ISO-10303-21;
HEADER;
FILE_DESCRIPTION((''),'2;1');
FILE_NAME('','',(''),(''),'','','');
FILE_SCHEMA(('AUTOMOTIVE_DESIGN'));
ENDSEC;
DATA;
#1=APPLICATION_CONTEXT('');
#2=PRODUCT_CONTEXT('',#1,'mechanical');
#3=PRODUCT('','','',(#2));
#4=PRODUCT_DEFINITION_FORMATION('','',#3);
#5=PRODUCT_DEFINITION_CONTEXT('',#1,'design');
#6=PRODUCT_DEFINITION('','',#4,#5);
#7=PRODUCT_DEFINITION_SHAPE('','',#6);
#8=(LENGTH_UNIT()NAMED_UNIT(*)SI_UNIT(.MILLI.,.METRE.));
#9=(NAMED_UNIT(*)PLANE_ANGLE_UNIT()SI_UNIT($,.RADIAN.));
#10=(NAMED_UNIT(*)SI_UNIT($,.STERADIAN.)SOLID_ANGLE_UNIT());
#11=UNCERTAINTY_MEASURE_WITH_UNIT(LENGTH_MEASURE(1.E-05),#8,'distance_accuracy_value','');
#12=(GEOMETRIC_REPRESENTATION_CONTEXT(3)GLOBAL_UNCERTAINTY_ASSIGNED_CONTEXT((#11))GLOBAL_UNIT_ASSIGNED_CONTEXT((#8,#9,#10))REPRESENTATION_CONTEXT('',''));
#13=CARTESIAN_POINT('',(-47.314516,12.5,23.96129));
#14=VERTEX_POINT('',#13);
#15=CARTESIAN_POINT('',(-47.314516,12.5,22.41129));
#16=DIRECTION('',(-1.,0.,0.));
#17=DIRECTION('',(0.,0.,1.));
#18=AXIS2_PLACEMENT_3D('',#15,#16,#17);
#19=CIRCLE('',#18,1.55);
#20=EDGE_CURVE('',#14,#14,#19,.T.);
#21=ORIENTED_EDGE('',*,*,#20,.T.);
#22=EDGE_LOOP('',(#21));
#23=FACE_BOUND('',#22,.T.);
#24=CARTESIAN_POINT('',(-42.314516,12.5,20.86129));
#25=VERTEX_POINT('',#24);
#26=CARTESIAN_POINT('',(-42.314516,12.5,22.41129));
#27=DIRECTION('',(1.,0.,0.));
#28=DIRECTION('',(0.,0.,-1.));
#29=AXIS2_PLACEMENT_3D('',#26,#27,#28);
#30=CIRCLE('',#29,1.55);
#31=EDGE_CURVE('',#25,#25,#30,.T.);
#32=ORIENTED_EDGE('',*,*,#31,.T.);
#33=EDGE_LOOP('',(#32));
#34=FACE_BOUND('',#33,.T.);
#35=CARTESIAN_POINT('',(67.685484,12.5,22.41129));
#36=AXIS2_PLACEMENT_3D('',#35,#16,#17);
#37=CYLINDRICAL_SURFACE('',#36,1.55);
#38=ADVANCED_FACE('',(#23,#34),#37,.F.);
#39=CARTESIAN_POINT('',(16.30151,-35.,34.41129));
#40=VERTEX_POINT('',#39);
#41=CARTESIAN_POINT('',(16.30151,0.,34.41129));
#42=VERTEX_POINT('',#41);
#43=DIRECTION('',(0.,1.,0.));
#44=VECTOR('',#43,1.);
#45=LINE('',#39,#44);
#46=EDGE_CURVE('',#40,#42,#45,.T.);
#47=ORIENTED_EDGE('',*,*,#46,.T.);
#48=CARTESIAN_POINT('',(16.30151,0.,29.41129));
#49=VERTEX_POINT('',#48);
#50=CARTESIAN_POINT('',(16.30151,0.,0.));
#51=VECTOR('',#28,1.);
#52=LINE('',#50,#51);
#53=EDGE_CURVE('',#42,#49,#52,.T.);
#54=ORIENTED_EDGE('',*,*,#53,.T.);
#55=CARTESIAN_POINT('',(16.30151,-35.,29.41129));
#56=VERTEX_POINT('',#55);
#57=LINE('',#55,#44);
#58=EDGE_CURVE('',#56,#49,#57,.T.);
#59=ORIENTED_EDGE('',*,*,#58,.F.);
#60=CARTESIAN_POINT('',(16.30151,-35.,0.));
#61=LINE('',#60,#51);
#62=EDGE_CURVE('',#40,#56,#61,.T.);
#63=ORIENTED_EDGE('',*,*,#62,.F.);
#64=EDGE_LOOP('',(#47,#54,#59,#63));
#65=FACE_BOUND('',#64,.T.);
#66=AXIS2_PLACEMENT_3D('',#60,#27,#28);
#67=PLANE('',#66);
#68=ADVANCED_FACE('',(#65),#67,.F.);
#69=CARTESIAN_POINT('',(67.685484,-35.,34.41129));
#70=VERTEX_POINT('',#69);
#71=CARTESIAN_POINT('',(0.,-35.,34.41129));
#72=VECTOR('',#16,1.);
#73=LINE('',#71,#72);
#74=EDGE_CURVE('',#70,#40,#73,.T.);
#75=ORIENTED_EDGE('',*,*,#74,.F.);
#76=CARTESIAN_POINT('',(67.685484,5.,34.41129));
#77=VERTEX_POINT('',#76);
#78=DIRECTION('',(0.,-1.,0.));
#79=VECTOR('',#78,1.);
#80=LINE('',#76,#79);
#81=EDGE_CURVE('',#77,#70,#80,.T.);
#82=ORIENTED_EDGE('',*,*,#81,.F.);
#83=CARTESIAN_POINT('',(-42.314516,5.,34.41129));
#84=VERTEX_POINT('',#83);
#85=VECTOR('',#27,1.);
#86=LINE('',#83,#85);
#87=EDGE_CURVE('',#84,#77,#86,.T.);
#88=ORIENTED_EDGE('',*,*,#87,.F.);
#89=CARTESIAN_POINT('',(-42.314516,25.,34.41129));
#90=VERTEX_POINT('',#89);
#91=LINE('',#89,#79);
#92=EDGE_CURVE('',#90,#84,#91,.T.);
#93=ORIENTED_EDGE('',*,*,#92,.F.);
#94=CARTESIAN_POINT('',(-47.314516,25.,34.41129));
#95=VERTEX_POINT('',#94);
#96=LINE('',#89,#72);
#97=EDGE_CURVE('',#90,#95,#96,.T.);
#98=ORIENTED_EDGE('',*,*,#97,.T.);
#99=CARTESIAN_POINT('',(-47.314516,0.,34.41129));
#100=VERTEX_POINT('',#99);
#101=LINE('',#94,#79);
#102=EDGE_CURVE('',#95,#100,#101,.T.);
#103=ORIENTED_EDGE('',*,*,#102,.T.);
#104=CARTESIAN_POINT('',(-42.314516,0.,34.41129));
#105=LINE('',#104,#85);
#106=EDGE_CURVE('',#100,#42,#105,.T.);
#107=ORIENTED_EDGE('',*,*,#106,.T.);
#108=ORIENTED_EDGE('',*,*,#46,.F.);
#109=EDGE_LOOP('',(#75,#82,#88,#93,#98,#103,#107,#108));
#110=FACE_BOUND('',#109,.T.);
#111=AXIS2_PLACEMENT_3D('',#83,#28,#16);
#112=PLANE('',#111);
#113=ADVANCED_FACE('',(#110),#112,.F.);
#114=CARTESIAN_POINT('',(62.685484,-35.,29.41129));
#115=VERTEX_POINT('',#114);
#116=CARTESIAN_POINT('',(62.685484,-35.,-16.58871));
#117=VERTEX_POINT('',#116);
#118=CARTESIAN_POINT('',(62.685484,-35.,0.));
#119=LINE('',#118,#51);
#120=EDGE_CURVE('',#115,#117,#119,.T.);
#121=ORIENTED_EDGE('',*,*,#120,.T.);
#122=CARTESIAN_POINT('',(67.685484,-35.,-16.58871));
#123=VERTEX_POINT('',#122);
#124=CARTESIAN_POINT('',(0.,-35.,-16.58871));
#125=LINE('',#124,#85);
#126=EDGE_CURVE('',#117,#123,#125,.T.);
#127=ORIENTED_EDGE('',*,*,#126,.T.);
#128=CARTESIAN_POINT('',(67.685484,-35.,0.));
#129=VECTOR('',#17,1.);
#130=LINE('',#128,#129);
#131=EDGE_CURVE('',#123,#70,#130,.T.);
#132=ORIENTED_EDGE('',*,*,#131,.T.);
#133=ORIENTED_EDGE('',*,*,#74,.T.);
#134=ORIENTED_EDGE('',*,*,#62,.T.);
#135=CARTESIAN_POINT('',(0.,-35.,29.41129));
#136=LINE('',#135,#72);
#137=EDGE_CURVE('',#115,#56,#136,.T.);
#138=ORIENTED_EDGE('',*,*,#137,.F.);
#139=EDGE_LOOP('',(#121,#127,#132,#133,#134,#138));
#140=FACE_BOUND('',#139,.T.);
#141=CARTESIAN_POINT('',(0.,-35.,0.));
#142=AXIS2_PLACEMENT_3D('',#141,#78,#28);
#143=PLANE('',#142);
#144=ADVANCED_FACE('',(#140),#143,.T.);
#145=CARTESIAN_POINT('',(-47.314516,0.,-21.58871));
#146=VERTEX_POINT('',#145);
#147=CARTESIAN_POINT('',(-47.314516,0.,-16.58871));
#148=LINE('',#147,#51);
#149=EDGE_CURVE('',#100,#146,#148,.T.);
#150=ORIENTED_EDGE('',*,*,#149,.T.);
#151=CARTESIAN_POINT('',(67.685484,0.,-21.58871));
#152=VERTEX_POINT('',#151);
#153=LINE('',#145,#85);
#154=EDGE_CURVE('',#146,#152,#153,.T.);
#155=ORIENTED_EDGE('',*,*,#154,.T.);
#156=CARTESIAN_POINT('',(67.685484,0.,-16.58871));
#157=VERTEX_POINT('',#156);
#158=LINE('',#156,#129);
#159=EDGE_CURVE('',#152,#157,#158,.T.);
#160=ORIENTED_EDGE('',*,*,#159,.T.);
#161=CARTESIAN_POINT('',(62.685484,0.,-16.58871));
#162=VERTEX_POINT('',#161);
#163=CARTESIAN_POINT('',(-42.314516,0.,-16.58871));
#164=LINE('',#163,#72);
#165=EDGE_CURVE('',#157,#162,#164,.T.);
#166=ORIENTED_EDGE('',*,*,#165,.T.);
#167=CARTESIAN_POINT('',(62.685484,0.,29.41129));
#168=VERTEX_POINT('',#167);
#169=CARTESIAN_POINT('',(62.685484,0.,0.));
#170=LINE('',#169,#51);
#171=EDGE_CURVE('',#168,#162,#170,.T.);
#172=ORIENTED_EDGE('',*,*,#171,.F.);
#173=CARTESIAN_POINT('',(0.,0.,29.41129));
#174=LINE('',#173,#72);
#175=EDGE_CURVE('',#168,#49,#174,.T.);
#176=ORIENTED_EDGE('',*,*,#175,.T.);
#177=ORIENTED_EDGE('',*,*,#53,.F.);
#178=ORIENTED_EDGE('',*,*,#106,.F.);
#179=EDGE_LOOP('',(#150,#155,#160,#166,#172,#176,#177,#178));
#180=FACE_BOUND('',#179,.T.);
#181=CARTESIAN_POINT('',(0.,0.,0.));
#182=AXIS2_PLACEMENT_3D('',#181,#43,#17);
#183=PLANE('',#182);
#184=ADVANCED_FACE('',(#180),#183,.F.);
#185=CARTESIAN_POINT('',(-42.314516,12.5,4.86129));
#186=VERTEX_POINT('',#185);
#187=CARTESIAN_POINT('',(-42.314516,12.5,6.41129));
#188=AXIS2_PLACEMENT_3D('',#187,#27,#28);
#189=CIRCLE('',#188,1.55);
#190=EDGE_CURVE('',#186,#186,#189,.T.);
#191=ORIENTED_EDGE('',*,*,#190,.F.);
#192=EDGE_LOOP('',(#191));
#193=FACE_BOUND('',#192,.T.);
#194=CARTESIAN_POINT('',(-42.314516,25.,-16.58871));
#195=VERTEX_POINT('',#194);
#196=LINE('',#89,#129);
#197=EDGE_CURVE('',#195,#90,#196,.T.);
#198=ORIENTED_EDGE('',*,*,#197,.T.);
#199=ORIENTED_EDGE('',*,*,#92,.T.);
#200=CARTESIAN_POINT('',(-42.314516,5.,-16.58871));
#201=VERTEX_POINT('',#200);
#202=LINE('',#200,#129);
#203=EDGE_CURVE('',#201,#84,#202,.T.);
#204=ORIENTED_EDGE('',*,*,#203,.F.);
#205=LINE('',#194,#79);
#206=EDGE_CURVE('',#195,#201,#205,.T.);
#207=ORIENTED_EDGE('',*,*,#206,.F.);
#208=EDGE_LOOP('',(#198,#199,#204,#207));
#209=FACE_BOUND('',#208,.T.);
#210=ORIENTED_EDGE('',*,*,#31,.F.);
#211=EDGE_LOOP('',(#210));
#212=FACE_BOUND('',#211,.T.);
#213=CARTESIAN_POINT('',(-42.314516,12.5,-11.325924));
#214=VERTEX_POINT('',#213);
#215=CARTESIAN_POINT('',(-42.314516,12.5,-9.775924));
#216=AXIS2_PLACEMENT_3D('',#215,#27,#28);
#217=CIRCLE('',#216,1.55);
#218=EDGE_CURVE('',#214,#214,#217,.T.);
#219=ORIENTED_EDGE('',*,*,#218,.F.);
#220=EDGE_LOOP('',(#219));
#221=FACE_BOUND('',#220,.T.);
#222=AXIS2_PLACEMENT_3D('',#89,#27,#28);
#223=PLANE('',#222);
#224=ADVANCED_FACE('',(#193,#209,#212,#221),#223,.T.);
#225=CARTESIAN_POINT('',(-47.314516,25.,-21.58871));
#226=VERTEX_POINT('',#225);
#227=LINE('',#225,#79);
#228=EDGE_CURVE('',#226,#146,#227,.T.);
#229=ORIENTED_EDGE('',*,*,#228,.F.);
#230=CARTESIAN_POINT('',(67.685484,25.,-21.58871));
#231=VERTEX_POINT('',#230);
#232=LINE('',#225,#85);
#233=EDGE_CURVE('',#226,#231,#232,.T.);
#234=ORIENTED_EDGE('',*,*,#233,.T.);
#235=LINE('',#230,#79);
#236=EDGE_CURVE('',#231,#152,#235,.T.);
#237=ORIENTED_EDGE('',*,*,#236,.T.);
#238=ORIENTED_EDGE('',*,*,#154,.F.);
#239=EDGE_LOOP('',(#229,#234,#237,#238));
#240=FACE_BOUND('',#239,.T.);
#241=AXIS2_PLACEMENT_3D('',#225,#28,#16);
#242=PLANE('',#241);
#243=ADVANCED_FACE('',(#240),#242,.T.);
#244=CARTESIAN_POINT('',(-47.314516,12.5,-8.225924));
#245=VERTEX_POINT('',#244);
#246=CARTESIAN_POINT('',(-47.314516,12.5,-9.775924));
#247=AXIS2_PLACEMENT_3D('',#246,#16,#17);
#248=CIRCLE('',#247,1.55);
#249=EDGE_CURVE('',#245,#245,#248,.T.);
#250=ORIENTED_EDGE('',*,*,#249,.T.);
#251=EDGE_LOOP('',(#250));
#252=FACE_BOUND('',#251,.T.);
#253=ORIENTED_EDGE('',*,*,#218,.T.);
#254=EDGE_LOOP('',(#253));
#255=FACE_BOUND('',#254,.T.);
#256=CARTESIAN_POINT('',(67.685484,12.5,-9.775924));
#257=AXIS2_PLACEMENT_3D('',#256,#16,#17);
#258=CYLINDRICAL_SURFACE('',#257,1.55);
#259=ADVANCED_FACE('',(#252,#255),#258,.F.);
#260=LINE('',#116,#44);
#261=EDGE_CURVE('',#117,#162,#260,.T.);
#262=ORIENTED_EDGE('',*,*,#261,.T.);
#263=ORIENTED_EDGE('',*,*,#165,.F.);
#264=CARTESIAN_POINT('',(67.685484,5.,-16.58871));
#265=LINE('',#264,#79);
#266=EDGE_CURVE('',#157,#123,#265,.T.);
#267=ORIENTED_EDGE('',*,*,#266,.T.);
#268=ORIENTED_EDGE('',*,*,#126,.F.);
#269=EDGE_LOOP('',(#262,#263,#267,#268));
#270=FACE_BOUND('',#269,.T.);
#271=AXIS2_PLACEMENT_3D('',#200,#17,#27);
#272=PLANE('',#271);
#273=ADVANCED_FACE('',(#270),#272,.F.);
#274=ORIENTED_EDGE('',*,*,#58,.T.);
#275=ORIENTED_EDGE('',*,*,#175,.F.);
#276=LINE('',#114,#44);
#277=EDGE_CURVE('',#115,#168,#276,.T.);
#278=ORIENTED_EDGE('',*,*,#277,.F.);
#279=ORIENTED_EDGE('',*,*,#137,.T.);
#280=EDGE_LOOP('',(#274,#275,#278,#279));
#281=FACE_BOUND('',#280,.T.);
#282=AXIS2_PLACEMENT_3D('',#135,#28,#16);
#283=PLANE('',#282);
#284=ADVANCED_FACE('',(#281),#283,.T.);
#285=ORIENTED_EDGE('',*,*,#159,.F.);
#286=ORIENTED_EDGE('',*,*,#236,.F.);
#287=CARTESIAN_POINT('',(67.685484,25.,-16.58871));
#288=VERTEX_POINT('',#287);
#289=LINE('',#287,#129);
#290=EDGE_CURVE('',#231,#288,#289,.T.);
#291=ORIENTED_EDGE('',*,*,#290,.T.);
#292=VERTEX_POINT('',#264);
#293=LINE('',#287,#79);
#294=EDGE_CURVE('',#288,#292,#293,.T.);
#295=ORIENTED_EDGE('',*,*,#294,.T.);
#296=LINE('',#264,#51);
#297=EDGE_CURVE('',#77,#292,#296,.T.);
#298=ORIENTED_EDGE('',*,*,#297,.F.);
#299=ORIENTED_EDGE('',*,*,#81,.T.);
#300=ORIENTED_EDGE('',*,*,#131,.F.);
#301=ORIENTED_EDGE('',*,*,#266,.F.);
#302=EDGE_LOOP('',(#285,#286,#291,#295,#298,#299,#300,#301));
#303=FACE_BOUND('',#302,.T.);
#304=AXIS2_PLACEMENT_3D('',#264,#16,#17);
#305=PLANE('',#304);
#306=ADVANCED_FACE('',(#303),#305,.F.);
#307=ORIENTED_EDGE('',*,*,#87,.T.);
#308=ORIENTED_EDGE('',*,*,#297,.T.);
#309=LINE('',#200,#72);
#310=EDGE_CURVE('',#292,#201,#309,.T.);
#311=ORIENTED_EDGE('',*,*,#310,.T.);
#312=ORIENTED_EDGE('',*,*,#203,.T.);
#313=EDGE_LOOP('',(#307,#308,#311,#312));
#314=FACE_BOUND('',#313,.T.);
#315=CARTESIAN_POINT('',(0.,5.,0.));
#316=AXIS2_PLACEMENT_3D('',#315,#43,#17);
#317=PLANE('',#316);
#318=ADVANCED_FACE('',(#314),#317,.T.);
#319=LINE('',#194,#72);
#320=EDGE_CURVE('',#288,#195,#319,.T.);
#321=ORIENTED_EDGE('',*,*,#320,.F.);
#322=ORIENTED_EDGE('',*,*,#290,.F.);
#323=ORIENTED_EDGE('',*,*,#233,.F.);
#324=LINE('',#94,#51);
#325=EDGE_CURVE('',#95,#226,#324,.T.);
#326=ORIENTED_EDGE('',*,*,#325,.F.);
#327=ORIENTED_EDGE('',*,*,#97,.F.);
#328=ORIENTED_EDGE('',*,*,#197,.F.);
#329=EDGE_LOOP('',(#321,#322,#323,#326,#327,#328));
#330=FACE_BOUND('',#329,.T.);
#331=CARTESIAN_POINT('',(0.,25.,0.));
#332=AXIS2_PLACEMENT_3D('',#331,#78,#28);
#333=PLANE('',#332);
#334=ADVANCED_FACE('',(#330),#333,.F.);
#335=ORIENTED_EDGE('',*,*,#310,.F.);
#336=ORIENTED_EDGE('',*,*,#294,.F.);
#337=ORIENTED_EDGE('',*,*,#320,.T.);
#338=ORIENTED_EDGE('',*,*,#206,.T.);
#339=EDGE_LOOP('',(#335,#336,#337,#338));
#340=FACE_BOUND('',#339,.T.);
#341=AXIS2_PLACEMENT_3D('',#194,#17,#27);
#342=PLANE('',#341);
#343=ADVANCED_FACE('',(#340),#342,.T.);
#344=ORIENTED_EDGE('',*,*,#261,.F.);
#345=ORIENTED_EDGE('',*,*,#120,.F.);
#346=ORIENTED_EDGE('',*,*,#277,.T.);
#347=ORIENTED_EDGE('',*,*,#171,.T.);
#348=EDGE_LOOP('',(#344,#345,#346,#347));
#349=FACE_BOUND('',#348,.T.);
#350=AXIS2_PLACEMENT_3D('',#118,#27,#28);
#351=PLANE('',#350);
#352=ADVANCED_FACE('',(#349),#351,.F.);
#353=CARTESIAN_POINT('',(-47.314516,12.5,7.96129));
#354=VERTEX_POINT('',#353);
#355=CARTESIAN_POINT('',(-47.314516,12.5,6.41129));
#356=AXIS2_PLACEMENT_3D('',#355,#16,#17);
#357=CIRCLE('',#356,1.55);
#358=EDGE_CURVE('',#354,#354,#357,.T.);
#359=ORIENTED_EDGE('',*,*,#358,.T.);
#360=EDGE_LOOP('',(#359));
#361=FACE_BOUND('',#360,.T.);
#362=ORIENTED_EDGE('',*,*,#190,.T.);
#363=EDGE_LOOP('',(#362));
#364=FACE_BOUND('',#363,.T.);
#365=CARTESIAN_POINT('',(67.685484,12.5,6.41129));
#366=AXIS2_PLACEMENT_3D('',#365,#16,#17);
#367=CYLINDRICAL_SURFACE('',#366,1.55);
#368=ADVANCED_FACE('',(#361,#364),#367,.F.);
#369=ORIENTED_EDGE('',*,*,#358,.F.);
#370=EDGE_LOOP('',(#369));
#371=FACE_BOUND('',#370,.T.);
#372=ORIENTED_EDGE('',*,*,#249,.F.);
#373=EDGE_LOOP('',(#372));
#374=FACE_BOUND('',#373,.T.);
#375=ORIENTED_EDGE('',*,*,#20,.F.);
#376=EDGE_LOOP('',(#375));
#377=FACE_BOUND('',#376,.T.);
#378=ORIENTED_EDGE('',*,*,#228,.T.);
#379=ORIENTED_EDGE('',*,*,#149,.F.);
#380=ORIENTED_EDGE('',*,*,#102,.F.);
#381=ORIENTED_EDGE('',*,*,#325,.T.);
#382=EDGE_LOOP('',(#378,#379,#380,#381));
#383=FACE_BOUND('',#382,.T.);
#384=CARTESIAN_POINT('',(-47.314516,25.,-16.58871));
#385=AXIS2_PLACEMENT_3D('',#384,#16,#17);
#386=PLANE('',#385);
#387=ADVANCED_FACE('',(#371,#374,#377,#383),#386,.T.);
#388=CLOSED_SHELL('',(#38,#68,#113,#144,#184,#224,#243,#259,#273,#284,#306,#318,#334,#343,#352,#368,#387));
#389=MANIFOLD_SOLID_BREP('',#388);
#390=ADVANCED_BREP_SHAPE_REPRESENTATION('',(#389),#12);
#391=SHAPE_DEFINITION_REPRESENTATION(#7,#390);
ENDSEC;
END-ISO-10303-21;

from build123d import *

# Parameters (mm, degrees)
SKETCH_1_W          = 110
SKETCH_1_H          = 51
EXTRUDE_1_DEPTH     = 5
EXTRUDE_2_DEPTH     = 25
SKETCH_3_R          = 1.55
CUT_EXTRUDE_1_DEPTH = 123.613771256
EXTRUDE_3_DEPTH     = 35


with BuildPart() as part:
    # 草图1 → 凸台-拉伸1 (new body)
    with BuildSketch(Plane(origin=(0, 0, 0), x_dir=(1, 0, 0), z_dir=(0, 1, 0))):
        with Locations((12.685483871, -8.911290323)):
            Rectangle(SKETCH_1_W, SKETCH_1_H)
    extrude(amount=EXTRUDE_1_DEPTH)



with BuildPart() as body_2:
    # 草图2 → 凸台-拉伸2 (new body)
    with BuildSketch(Plane.XZ):
        Polygon((-42.314516129, 34.411290323), (-47.314516129, 34.411290323), (-47.314516129, -16.588709677), (-47.314516129, -21.588709677), (67.685483871, -21.588709677), (67.685483871, -16.588709677), (-42.314516129, -16.588709677), align=None)
    extrude(amount=-EXTRUDE_2_DEPTH)

    # 草图3 → 切除-拉伸1 (cut, through all)
    with BuildSketch(Plane.ZY.offset(47.314516129)):
        with Locations((-9.775923567, 12.5)):
            Circle(SKETCH_3_R)
        with Locations((6.411290323, 12.5)):
            Circle(SKETCH_3_R)
        with Locations((22.411290323, 12.5)):
            Circle(SKETCH_3_R)
    extrude(amount=-CUT_EXTRUDE_1_DEPTH, mode=Mode.SUBTRACT)


with BuildPart() as part_1:
    add(part.part)

    add(body_2.part)  # 凸台-拉伸3 merges body 2
    # 草图4 → 凸台-拉伸3 (add)
    with BuildSketch(Plane.XZ):
        Polygon((67.685483871, 29.411290323), (67.685483871, 34.411290323), (62.685483871, 34.411290323), (16.301510032, 34.411290323), (16.301510032, 29.411290323), (62.685483871, 29.411290323), (62.685483871, -16.588709677), (67.685483871, -16.588709677), align=None)
    extrude(amount=EXTRUDE_3_DEPTH)


solid = part_1.part
